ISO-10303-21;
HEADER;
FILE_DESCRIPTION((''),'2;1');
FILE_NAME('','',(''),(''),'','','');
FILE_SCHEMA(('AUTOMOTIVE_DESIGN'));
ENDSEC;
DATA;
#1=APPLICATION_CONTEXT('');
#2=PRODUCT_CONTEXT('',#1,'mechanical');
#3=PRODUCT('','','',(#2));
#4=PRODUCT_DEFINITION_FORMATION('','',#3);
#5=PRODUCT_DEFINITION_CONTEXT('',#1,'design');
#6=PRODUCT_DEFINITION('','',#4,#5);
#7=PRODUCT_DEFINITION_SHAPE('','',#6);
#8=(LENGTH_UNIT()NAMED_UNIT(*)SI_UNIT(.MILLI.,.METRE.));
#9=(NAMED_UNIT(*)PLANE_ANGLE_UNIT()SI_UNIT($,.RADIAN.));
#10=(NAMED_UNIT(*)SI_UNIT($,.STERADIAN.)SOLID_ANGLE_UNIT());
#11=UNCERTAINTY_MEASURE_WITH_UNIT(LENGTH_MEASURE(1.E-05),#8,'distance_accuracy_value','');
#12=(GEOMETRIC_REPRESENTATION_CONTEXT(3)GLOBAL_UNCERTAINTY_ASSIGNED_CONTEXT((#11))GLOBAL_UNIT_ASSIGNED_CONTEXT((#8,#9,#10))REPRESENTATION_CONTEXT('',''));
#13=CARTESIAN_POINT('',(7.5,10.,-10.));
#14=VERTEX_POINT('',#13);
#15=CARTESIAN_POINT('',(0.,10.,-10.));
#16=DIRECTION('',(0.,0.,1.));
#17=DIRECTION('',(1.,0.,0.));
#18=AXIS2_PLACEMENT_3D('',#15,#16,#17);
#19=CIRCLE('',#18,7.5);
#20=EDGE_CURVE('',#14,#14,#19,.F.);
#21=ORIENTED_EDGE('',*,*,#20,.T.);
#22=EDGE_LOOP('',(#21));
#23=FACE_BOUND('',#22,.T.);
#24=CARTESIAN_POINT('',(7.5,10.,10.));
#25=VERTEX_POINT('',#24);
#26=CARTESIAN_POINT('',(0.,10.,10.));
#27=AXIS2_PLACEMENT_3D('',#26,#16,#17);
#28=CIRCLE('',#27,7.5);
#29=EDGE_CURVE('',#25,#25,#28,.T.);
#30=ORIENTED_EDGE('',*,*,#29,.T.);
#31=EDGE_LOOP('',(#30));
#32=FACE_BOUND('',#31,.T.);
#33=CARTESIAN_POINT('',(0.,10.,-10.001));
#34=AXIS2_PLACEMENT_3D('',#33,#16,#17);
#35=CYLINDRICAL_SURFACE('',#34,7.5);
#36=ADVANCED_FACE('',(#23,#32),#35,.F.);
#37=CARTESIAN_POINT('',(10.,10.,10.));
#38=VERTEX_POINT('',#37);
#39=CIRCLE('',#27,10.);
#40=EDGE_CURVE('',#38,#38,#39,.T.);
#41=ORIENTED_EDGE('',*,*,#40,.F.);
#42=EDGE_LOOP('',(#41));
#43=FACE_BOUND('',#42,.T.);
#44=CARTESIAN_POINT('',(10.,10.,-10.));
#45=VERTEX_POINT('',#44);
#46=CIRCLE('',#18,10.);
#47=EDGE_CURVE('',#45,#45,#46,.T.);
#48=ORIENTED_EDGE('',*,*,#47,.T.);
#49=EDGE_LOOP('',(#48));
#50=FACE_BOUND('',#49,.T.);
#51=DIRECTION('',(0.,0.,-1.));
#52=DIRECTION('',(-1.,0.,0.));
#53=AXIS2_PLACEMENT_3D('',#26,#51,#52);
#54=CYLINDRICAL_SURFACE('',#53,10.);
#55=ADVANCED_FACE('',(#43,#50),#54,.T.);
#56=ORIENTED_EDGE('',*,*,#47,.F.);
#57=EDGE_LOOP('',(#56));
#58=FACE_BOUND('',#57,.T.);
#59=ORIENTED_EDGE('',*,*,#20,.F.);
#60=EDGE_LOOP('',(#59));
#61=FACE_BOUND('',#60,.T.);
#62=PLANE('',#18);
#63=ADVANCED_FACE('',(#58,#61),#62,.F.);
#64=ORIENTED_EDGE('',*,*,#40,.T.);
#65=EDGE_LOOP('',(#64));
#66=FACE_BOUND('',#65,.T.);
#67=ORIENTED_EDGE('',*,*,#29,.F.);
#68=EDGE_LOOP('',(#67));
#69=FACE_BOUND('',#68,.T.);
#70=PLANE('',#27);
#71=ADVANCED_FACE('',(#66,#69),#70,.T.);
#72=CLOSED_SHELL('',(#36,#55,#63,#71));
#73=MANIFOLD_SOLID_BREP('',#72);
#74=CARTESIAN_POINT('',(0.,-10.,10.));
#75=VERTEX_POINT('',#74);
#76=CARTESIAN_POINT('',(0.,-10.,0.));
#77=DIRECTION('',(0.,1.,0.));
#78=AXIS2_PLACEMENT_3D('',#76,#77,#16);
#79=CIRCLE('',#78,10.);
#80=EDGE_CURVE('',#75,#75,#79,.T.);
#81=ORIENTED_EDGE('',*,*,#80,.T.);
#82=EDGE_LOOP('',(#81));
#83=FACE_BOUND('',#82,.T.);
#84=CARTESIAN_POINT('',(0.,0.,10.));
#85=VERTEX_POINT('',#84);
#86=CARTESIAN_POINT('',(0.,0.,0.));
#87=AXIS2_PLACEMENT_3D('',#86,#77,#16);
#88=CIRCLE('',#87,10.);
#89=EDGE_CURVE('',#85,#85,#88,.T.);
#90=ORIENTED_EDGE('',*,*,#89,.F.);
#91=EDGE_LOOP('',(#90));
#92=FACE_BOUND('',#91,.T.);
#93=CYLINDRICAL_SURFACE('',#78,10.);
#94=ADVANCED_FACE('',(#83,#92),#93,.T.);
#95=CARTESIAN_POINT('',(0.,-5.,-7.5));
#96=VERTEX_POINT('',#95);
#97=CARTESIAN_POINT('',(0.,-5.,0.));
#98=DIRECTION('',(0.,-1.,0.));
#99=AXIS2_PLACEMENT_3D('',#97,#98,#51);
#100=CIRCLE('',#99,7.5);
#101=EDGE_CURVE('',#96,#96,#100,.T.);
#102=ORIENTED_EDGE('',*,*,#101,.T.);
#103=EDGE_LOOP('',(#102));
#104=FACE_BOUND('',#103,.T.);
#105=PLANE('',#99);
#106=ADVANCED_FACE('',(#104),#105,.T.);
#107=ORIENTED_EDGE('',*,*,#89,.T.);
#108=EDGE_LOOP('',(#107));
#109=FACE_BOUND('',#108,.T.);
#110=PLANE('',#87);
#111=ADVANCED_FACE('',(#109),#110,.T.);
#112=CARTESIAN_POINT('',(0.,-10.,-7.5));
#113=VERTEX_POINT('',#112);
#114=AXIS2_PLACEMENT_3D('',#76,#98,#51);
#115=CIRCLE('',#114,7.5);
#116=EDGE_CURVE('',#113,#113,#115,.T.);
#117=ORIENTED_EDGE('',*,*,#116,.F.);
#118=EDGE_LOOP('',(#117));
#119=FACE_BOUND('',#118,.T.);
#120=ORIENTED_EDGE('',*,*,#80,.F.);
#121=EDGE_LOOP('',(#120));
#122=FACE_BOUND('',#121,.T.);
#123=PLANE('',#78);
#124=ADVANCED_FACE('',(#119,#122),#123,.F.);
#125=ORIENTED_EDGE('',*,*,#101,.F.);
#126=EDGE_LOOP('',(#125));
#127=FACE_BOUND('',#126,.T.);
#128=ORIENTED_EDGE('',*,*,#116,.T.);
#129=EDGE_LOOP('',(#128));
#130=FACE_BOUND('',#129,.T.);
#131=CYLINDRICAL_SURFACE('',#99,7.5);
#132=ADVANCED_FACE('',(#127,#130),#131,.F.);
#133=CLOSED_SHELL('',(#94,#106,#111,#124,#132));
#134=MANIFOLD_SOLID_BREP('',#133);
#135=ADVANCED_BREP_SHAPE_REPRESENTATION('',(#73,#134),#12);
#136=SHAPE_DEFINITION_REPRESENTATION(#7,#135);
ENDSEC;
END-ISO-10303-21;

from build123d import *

# Parameters (mm, degrees)
SKETCH2_R           = 10
BOSS_EXTRUDE2_DEPTH = 10
SKETCH3_R           = 7.5
CUT_EXTRUDE1_DEPTH  = 5
SKETCH5_R           = 10
BOSS_EXTRUDE3_DEPTH = 10
SKETCH6_R           = 7.5
CUT_EXTRUDE2_DEPTH  = 20


with BuildPart() as part:
    # Sketch2 → Boss-Extrude2 (new body)
    with BuildSketch(Plane(origin=(0, 0, 0), x_dir=(1, 0, 0), z_dir=(0, 1, 0))):
        with Locations(Location((0, 0, 0), (0, 0, 270))):
            Circle(SKETCH2_R)
    extrude(amount=-BOSS_EXTRUDE2_DEPTH)

    # Sketch3 → Cut-Extrude1 (cut)
    with BuildSketch(Plane(origin=(0, -10, 0), x_dir=(-1, 0, 0), z_dir=(0, -1, 0))):
        with Locations(Location((0, 0, 0), (0, 0, 90))):
            Circle(SKETCH3_R)
    extrude(amount=-CUT_EXTRUDE1_DEPTH, mode=Mode.SUBTRACT)


with BuildPart() as body_2:
    # Sketch5 → Boss-Extrude3 (new, symmetric)
    with BuildSketch(Plane.XY):
        with Locations((0, 10)):
            Circle(SKETCH5_R)
    extrude(amount=BOSS_EXTRUDE3_DEPTH, both=True)

    # Sketch6 → Cut-Extrude2 (cut)
    with BuildSketch(Plane.XY.offset(10)):
        with Locations((0, 10)):
            Circle(SKETCH6_R)
    extrude(amount=-CUT_EXTRUDE2_DEPTH, mode=Mode.SUBTRACT)


solid = Compound([part.part, body_2.part])
